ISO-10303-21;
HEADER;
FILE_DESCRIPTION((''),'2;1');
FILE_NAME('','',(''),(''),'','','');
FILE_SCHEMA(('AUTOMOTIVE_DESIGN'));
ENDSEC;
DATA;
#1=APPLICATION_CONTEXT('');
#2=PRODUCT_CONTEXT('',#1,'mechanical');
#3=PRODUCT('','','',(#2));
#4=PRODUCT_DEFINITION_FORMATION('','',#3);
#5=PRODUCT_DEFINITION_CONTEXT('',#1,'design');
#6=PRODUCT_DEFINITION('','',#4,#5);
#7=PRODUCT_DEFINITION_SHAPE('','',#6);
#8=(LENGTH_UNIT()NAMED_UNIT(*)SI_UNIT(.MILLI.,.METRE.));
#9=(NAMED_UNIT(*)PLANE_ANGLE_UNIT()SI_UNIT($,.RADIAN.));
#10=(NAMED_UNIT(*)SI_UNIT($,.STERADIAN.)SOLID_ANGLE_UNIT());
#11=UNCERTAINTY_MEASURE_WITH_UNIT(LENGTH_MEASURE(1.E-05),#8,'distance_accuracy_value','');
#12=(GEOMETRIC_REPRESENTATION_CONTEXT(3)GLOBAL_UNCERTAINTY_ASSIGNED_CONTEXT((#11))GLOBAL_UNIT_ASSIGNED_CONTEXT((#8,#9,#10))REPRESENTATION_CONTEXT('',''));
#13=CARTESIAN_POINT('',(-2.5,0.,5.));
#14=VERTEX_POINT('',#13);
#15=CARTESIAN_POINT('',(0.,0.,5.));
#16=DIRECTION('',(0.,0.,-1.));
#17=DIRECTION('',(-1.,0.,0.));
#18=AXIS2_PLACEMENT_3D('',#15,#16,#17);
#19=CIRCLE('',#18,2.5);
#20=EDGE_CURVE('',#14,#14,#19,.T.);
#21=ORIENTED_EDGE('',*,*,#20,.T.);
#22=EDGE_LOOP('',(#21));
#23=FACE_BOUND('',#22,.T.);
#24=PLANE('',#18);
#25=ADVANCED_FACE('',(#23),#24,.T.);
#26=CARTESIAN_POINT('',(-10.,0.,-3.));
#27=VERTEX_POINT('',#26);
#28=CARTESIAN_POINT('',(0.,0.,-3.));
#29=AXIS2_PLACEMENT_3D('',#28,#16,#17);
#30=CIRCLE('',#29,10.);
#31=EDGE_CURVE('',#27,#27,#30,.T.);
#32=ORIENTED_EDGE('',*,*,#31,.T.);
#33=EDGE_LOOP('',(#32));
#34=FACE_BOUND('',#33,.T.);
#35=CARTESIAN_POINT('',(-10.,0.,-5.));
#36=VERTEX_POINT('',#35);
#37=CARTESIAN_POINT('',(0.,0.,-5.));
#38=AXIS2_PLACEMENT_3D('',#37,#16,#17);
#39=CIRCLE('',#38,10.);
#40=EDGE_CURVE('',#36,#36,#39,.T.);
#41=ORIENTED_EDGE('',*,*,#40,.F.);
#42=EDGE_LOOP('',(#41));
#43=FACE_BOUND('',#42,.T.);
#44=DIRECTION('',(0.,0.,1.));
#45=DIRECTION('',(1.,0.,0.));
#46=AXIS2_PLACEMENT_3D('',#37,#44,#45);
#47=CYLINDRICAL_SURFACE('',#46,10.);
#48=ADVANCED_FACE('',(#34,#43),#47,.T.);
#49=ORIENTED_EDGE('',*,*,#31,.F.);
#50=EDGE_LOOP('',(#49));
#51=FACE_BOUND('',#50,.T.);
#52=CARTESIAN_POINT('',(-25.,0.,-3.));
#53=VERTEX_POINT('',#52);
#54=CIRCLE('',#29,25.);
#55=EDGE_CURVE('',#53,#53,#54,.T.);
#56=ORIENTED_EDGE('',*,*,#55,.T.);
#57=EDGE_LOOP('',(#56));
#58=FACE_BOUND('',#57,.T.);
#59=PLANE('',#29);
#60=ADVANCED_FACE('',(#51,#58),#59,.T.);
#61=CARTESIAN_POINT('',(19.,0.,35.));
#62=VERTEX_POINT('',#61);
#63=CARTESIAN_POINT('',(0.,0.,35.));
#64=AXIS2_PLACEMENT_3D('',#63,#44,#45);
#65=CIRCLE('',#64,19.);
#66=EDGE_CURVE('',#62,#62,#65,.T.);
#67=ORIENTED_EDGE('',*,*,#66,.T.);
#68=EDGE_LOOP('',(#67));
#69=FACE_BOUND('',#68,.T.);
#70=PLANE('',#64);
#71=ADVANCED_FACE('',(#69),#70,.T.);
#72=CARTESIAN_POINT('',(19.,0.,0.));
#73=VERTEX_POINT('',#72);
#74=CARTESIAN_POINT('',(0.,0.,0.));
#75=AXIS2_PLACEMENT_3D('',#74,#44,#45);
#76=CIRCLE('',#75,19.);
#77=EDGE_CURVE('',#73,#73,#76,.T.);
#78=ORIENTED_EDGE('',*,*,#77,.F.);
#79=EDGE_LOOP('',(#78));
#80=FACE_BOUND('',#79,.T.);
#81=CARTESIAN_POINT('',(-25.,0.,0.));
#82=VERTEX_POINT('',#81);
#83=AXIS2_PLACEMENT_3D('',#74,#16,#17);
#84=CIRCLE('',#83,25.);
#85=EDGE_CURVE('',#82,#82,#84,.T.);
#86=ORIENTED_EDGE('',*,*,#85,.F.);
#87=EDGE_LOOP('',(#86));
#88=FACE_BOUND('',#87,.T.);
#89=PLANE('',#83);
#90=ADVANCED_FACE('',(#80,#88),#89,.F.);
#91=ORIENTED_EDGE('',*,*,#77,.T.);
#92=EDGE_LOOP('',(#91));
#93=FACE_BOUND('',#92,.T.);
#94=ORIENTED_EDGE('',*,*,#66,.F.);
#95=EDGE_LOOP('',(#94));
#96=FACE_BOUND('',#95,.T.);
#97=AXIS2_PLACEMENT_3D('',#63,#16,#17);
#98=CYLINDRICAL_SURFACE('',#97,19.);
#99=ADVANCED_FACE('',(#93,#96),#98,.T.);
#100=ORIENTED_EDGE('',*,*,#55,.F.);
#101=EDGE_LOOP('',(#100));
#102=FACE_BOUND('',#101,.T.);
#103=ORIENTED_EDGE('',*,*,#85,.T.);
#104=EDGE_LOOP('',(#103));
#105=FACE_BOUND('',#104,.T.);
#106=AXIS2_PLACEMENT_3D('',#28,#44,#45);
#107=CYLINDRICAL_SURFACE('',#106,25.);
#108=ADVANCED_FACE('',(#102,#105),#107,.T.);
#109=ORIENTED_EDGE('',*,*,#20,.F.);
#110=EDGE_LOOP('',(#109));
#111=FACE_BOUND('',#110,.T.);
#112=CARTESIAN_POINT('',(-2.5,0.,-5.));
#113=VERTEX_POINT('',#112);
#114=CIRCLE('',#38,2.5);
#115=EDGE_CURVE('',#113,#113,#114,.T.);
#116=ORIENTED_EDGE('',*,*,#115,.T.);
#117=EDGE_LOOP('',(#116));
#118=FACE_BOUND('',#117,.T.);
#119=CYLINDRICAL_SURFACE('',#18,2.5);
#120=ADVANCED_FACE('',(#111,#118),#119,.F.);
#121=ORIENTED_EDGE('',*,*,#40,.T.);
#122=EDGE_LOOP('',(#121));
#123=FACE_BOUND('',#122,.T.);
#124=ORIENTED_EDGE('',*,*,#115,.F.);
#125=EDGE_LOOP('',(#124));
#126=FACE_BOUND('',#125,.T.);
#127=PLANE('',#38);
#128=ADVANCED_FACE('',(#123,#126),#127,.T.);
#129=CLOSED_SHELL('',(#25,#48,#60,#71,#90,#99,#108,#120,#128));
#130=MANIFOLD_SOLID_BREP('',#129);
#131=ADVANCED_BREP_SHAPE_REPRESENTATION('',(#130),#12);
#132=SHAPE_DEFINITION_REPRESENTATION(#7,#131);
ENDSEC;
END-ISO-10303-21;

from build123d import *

# Parameters (mm, degrees)
ESQUISSE1_R             = 19
BASE_EXTRUSION_DEPTH    = 35
ESQUISSE2_R             = 25
BOSS_EXTRU_1_DEPTH      = 3
ESQUISSE3_R             = 10
BOSS_EXTRU_2_DEPTH      = 2
ESQUISSE4_R             = 2.5
ENL_V_MAT_EXTRU_1_DEPTH = 10


with BuildPart() as part:
    # Esquisse1 → Base-Extrusion (new body)
    with BuildSketch(Plane.XY):
        Circle(ESQUISSE1_R)
    extrude(amount=BASE_EXTRUSION_DEPTH)

    # Esquisse2 → Boss.-Extru.1 (add)
    with BuildSketch(Plane(origin=(0, 0, 0), x_dir=(-1, 0, 0), z_dir=(0, 0, -1))):
        Circle(ESQUISSE2_R)
    extrude(amount=BOSS_EXTRU_1_DEPTH)

    # Esquisse3 → Boss.-Extru.2 (add)
    with BuildSketch(Plane(origin=(0, 0, -3), x_dir=(-1, 0, 0), z_dir=(0, 0, -1))):
        Circle(ESQUISSE3_R)
    extrude(amount=BOSS_EXTRU_2_DEPTH)

    # Esquisse4 → Enlèv. mat.-Extru.1 (cut)
    with BuildSketch(Plane(origin=(0, 0, -5), x_dir=(-1, 0, 0), z_dir=(0, 0, -1))):
        Circle(ESQUISSE4_R)
    extrude(amount=-ENL_V_MAT_EXTRU_1_DEPTH, mode=Mode.SUBTRACT)


solid = part.part
